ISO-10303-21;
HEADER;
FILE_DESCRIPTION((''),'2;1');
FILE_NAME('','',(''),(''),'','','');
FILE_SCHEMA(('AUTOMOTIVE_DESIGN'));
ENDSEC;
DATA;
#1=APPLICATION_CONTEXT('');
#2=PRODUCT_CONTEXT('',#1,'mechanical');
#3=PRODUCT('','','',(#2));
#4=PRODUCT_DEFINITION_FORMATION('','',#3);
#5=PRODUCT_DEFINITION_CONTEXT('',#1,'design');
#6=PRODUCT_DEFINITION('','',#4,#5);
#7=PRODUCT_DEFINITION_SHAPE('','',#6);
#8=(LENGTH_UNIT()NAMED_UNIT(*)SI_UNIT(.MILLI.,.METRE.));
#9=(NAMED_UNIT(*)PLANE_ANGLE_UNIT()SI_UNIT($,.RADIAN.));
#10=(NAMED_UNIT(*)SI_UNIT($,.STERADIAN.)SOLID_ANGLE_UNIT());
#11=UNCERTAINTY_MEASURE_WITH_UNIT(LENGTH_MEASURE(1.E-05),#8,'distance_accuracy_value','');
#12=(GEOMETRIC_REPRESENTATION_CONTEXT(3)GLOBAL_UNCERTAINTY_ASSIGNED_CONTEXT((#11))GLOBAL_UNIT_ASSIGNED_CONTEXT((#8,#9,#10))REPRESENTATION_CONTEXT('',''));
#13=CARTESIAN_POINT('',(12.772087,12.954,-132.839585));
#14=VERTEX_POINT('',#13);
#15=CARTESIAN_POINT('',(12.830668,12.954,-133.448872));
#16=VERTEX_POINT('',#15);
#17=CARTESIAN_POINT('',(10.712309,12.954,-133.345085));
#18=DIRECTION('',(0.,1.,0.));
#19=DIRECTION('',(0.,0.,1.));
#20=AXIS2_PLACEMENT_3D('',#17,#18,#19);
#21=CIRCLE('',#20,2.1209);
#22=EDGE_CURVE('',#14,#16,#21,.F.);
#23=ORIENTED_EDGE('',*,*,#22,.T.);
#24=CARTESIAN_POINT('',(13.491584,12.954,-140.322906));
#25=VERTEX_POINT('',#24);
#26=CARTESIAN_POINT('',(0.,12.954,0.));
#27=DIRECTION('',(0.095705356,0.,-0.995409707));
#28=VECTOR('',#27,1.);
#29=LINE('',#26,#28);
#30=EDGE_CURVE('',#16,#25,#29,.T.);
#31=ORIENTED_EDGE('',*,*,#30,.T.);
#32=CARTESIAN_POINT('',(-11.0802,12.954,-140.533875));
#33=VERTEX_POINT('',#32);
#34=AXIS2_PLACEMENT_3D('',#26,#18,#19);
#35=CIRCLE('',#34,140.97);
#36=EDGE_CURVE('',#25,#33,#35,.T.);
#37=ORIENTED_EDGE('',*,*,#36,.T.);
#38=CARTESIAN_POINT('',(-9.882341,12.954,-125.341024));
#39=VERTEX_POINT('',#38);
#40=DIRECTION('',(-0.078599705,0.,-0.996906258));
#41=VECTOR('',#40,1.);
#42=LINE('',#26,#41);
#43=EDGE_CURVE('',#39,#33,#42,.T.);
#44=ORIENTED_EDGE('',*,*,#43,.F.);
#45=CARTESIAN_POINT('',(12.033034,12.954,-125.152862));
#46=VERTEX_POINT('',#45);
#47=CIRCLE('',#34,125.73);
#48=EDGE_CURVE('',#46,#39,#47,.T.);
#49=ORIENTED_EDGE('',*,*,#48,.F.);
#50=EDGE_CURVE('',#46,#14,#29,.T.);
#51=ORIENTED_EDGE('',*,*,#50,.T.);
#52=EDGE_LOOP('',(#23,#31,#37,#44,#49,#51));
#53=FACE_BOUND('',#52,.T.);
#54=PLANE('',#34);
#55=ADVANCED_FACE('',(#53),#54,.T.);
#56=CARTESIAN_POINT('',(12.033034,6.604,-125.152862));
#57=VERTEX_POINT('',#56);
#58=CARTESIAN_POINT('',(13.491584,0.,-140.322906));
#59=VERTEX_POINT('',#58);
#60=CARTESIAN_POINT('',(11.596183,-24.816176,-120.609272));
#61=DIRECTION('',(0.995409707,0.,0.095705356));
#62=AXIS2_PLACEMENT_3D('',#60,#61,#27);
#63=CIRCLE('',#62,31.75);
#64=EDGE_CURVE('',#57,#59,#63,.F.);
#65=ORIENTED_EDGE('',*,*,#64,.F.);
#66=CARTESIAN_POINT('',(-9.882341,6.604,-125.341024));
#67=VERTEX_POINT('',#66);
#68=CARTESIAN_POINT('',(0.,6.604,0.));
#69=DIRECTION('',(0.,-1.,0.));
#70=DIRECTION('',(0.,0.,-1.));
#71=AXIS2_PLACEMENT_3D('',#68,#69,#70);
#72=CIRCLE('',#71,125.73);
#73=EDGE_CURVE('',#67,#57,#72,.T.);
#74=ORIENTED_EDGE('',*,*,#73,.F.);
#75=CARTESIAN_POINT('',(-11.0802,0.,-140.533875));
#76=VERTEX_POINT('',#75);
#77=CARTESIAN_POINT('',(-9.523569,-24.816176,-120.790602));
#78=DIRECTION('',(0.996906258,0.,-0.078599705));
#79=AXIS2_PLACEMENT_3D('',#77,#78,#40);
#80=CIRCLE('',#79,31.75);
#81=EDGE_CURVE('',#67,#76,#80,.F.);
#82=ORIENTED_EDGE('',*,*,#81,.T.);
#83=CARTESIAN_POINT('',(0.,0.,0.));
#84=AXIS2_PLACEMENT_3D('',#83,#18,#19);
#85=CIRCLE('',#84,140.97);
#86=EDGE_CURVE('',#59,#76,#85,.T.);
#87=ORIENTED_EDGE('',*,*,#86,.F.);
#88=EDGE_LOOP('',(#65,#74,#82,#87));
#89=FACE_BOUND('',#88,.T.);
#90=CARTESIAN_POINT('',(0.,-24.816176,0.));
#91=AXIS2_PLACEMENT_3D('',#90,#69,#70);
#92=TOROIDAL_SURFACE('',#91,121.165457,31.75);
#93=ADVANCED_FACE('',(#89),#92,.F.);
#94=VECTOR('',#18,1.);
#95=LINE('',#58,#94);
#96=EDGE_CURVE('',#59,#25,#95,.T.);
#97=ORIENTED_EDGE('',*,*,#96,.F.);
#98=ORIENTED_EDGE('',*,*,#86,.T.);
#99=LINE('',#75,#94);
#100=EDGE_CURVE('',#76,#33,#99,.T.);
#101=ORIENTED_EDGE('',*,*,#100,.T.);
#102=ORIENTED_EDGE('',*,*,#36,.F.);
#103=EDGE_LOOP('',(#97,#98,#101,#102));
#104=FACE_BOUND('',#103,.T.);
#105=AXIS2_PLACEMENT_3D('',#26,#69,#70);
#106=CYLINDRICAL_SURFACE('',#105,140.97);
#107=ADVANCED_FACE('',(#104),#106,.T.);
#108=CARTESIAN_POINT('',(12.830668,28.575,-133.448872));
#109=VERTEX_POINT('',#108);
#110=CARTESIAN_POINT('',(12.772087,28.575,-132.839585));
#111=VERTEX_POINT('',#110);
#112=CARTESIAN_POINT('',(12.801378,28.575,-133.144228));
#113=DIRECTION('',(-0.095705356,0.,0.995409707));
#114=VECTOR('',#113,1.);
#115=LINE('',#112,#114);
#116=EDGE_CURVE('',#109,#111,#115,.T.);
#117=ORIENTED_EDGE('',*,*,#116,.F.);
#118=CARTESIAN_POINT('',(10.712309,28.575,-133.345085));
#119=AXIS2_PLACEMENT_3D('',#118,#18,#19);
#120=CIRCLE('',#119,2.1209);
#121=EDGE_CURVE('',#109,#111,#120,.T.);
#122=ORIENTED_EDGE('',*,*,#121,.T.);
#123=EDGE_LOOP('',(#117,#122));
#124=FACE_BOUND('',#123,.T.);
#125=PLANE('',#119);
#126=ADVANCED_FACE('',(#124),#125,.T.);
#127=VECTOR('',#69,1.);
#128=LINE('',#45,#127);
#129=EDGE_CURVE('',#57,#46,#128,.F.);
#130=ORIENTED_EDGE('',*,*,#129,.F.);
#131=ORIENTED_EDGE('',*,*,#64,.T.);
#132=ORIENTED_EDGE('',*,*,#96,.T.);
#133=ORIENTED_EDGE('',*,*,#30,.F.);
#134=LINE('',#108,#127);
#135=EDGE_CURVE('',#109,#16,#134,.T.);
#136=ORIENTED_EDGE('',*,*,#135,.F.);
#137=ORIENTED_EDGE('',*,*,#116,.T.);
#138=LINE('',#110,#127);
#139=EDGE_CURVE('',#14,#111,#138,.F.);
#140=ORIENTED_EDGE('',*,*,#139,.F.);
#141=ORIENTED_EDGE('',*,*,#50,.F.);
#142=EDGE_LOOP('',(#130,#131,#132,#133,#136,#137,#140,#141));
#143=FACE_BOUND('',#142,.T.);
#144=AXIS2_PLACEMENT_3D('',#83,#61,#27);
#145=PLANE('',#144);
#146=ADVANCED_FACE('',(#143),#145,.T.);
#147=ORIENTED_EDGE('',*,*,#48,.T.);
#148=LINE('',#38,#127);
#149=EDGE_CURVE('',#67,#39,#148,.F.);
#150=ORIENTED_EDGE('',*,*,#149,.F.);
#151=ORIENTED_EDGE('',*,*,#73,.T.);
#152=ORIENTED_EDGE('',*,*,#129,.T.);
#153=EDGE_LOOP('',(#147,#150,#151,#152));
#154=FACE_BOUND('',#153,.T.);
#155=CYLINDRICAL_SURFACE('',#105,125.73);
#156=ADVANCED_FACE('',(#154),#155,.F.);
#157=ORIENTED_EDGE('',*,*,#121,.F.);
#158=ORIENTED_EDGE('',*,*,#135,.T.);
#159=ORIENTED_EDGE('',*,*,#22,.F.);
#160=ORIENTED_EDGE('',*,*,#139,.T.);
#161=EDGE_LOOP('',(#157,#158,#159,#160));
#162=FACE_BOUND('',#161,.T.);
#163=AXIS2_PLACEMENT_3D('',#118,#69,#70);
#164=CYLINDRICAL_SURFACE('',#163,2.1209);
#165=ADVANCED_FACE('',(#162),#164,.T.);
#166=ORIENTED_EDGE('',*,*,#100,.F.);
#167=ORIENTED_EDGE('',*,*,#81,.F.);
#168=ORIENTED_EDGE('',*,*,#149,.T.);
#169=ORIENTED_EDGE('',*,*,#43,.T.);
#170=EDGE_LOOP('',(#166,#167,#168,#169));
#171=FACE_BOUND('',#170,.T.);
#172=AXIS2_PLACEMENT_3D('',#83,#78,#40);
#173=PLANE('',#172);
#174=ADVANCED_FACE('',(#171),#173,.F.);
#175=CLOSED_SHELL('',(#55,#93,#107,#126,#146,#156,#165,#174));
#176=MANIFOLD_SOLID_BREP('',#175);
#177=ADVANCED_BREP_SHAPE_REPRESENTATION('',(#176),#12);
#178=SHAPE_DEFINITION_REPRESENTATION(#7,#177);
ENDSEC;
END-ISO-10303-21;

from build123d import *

# Parameters (mm, degrees)
SKETCH1_R           = 140.97
SKETCH1_R_2         = 125.73
BOSS_EXTRUDE1_DEPTH = 12.954
CUT_EXTRUDE1_START  = -12.954
CUT_EXTRUDE1_DEPTH  = 12.954
SKETCH5_R           = 2.1209
BOSS_EXTRUDE2_DEPTH = 28.575
SKETCH6_W           = 35.941656598
SKETCH6_H           = 50
CUT_EXTRUDE2_DEPTH  = 25.4


with BuildPart() as part:
    # Sketch1 → Boss-Extrude1 (new body)
    with BuildSketch(Plane(origin=(0, 0, 0), x_dir=(1, 0, 0), z_dir=(0, 1, 0))):
        with Locations(Location((0, 0, 0), (0, 0, 270))):
            Circle(SKETCH1_R)
        with Locations(Location((0, 0, 0), (0, 0, 270))):
            Circle(SKETCH1_R_2, mode=Mode.SUBTRACT)
    extrude(amount=BOSS_EXTRUDE1_DEPTH)

    # Sketch3 → Cut-Extrude1 (cut)
    with BuildSketch(Plane(origin=(0, 12.954, 0), x_dir=(1, 0, 0), z_dir=(0, 1, 0)).offset(CUT_EXTRUDE1_START)):
        with BuildLine():
            Line((13.491584054, 140.322906397), (12.033034426, 125.152862462))
            ThreePointArc((12.033034426, 125.152862462), (93.061663209, 84.54324184), (125.73, 0))
            ThreePointArc((125.73, 0), (-85.339106447, -92.332387659), (-9.882340901, 125.341023764))
            Line((-9.882340901, 125.341023764), (-11.080200404, 140.53387513))
            ThreePointArc((-11.080200404, 140.53387513), (-95.683240562, -103.524192223), (140.97, 0))
            ThreePointArc((140.97, 0), (104.34186481, 94.790907517), (13.491584054, 140.322906397))
        make_face()
    extrude(amount=CUT_EXTRUDE1_DEPTH, mode=Mode.SUBTRACT)

    # Sketch5 → Boss-Extrude2 (add)
    with BuildSketch(Plane(origin=(0, 0, 0), x_dir=(1, 0, 0), z_dir=(0, 1, 0))):
        with Locations(Location((10.71230924, 133.345085246, 0), (0, 0, 2.80489485))):
            Circle(SKETCH5_R)
    extrude(amount=BOSS_EXTRUDE2_DEPTH)

    # Sketch2 → Cut-Revolve1 (revolve, cut)
    with BuildSketch(Plane.XY):
        with BuildLine():
            Line((-125.73, 6.604), (-125.73, 0))
            Line((-125.73, 0), (-140.97, 0))
            ThreePointArc((-140.97, 0), (-133.78949329, 4.316215284), (-125.73, 6.604))
        make_face()
    revolve(axis=Axis((0, 0, 0), (0, 1, 0)), mode=Mode.SUBTRACT)

    # Sketch6 → Cut-Extrude2 (cut)
    with BuildSketch(Plane(origin=(0, 0, 0), x_dir=(0.09570535612916914, 0, -0.9954097070092239), z_dir=(0.995409707009224, 0, 0.09570535612916914))):
        with Locations((132.91957607, 23.563430101)):
            Rectangle(SKETCH6_W, SKETCH6_H)
    extrude(amount=CUT_EXTRUDE2_DEPTH, mode=Mode.SUBTRACT)


solid = part.part
